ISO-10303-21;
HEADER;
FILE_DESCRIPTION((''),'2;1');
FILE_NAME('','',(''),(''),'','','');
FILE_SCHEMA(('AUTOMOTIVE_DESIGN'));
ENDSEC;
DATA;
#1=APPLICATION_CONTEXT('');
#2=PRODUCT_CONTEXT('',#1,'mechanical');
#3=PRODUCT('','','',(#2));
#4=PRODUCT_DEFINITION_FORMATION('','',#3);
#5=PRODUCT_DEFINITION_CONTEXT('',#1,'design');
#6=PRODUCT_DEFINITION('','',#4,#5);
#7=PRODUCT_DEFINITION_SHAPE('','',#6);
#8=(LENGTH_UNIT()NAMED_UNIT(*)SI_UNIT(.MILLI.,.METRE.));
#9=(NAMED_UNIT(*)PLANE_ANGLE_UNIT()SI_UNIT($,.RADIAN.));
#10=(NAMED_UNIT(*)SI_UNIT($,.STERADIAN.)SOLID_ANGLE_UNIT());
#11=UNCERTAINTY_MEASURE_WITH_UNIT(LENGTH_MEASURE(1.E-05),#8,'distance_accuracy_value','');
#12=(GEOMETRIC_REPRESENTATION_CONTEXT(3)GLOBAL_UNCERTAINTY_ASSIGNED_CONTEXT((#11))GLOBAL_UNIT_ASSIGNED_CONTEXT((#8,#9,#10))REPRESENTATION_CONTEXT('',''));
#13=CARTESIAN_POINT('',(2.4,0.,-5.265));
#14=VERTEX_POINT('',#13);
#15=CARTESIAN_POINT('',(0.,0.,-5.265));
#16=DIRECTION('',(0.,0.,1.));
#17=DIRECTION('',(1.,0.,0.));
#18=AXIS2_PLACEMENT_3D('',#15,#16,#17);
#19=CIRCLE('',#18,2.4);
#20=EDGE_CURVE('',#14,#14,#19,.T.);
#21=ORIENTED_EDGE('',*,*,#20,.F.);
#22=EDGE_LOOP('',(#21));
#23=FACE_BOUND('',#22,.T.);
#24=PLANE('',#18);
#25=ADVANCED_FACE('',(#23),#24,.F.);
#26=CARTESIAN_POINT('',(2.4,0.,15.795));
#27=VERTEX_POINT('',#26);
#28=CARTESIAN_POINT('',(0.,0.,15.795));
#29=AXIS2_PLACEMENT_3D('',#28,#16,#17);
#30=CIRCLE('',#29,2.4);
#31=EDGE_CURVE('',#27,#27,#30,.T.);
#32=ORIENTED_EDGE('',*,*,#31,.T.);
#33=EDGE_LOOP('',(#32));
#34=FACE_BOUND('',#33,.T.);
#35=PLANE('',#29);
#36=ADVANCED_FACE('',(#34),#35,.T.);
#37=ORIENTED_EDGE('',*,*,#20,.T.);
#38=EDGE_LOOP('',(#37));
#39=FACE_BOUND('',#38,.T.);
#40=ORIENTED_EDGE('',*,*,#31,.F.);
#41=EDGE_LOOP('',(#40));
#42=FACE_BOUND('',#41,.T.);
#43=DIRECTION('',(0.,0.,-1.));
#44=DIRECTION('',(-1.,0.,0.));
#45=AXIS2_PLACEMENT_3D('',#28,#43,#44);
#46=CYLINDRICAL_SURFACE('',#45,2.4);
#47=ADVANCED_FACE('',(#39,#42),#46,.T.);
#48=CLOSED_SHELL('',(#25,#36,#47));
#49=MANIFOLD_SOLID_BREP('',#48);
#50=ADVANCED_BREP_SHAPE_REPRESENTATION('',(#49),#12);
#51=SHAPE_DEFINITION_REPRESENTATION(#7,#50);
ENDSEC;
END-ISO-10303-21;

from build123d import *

# Parameters (mm, degrees)
SKETCH1_R           = 1.2
BOSS_EXTRUDE1_DEPTH = 10.53
SCALE_1_SCALE       = 2


with BuildPart() as part:
    # Sketch1 → Boss-Extrude1 (new body)
    with BuildSketch(Plane.XY):
        Circle(SKETCH1_R)
    extrude(amount=BOSS_EXTRUDE1_DEPTH)


with BuildPart() as part_1:
    # 缩放比例1: scaled about (0, 0, 5.265)
    add(part.part.scale(SCALE_1_SCALE).moved(Location((0, 0, -5.265))))


solid = part_1.part
